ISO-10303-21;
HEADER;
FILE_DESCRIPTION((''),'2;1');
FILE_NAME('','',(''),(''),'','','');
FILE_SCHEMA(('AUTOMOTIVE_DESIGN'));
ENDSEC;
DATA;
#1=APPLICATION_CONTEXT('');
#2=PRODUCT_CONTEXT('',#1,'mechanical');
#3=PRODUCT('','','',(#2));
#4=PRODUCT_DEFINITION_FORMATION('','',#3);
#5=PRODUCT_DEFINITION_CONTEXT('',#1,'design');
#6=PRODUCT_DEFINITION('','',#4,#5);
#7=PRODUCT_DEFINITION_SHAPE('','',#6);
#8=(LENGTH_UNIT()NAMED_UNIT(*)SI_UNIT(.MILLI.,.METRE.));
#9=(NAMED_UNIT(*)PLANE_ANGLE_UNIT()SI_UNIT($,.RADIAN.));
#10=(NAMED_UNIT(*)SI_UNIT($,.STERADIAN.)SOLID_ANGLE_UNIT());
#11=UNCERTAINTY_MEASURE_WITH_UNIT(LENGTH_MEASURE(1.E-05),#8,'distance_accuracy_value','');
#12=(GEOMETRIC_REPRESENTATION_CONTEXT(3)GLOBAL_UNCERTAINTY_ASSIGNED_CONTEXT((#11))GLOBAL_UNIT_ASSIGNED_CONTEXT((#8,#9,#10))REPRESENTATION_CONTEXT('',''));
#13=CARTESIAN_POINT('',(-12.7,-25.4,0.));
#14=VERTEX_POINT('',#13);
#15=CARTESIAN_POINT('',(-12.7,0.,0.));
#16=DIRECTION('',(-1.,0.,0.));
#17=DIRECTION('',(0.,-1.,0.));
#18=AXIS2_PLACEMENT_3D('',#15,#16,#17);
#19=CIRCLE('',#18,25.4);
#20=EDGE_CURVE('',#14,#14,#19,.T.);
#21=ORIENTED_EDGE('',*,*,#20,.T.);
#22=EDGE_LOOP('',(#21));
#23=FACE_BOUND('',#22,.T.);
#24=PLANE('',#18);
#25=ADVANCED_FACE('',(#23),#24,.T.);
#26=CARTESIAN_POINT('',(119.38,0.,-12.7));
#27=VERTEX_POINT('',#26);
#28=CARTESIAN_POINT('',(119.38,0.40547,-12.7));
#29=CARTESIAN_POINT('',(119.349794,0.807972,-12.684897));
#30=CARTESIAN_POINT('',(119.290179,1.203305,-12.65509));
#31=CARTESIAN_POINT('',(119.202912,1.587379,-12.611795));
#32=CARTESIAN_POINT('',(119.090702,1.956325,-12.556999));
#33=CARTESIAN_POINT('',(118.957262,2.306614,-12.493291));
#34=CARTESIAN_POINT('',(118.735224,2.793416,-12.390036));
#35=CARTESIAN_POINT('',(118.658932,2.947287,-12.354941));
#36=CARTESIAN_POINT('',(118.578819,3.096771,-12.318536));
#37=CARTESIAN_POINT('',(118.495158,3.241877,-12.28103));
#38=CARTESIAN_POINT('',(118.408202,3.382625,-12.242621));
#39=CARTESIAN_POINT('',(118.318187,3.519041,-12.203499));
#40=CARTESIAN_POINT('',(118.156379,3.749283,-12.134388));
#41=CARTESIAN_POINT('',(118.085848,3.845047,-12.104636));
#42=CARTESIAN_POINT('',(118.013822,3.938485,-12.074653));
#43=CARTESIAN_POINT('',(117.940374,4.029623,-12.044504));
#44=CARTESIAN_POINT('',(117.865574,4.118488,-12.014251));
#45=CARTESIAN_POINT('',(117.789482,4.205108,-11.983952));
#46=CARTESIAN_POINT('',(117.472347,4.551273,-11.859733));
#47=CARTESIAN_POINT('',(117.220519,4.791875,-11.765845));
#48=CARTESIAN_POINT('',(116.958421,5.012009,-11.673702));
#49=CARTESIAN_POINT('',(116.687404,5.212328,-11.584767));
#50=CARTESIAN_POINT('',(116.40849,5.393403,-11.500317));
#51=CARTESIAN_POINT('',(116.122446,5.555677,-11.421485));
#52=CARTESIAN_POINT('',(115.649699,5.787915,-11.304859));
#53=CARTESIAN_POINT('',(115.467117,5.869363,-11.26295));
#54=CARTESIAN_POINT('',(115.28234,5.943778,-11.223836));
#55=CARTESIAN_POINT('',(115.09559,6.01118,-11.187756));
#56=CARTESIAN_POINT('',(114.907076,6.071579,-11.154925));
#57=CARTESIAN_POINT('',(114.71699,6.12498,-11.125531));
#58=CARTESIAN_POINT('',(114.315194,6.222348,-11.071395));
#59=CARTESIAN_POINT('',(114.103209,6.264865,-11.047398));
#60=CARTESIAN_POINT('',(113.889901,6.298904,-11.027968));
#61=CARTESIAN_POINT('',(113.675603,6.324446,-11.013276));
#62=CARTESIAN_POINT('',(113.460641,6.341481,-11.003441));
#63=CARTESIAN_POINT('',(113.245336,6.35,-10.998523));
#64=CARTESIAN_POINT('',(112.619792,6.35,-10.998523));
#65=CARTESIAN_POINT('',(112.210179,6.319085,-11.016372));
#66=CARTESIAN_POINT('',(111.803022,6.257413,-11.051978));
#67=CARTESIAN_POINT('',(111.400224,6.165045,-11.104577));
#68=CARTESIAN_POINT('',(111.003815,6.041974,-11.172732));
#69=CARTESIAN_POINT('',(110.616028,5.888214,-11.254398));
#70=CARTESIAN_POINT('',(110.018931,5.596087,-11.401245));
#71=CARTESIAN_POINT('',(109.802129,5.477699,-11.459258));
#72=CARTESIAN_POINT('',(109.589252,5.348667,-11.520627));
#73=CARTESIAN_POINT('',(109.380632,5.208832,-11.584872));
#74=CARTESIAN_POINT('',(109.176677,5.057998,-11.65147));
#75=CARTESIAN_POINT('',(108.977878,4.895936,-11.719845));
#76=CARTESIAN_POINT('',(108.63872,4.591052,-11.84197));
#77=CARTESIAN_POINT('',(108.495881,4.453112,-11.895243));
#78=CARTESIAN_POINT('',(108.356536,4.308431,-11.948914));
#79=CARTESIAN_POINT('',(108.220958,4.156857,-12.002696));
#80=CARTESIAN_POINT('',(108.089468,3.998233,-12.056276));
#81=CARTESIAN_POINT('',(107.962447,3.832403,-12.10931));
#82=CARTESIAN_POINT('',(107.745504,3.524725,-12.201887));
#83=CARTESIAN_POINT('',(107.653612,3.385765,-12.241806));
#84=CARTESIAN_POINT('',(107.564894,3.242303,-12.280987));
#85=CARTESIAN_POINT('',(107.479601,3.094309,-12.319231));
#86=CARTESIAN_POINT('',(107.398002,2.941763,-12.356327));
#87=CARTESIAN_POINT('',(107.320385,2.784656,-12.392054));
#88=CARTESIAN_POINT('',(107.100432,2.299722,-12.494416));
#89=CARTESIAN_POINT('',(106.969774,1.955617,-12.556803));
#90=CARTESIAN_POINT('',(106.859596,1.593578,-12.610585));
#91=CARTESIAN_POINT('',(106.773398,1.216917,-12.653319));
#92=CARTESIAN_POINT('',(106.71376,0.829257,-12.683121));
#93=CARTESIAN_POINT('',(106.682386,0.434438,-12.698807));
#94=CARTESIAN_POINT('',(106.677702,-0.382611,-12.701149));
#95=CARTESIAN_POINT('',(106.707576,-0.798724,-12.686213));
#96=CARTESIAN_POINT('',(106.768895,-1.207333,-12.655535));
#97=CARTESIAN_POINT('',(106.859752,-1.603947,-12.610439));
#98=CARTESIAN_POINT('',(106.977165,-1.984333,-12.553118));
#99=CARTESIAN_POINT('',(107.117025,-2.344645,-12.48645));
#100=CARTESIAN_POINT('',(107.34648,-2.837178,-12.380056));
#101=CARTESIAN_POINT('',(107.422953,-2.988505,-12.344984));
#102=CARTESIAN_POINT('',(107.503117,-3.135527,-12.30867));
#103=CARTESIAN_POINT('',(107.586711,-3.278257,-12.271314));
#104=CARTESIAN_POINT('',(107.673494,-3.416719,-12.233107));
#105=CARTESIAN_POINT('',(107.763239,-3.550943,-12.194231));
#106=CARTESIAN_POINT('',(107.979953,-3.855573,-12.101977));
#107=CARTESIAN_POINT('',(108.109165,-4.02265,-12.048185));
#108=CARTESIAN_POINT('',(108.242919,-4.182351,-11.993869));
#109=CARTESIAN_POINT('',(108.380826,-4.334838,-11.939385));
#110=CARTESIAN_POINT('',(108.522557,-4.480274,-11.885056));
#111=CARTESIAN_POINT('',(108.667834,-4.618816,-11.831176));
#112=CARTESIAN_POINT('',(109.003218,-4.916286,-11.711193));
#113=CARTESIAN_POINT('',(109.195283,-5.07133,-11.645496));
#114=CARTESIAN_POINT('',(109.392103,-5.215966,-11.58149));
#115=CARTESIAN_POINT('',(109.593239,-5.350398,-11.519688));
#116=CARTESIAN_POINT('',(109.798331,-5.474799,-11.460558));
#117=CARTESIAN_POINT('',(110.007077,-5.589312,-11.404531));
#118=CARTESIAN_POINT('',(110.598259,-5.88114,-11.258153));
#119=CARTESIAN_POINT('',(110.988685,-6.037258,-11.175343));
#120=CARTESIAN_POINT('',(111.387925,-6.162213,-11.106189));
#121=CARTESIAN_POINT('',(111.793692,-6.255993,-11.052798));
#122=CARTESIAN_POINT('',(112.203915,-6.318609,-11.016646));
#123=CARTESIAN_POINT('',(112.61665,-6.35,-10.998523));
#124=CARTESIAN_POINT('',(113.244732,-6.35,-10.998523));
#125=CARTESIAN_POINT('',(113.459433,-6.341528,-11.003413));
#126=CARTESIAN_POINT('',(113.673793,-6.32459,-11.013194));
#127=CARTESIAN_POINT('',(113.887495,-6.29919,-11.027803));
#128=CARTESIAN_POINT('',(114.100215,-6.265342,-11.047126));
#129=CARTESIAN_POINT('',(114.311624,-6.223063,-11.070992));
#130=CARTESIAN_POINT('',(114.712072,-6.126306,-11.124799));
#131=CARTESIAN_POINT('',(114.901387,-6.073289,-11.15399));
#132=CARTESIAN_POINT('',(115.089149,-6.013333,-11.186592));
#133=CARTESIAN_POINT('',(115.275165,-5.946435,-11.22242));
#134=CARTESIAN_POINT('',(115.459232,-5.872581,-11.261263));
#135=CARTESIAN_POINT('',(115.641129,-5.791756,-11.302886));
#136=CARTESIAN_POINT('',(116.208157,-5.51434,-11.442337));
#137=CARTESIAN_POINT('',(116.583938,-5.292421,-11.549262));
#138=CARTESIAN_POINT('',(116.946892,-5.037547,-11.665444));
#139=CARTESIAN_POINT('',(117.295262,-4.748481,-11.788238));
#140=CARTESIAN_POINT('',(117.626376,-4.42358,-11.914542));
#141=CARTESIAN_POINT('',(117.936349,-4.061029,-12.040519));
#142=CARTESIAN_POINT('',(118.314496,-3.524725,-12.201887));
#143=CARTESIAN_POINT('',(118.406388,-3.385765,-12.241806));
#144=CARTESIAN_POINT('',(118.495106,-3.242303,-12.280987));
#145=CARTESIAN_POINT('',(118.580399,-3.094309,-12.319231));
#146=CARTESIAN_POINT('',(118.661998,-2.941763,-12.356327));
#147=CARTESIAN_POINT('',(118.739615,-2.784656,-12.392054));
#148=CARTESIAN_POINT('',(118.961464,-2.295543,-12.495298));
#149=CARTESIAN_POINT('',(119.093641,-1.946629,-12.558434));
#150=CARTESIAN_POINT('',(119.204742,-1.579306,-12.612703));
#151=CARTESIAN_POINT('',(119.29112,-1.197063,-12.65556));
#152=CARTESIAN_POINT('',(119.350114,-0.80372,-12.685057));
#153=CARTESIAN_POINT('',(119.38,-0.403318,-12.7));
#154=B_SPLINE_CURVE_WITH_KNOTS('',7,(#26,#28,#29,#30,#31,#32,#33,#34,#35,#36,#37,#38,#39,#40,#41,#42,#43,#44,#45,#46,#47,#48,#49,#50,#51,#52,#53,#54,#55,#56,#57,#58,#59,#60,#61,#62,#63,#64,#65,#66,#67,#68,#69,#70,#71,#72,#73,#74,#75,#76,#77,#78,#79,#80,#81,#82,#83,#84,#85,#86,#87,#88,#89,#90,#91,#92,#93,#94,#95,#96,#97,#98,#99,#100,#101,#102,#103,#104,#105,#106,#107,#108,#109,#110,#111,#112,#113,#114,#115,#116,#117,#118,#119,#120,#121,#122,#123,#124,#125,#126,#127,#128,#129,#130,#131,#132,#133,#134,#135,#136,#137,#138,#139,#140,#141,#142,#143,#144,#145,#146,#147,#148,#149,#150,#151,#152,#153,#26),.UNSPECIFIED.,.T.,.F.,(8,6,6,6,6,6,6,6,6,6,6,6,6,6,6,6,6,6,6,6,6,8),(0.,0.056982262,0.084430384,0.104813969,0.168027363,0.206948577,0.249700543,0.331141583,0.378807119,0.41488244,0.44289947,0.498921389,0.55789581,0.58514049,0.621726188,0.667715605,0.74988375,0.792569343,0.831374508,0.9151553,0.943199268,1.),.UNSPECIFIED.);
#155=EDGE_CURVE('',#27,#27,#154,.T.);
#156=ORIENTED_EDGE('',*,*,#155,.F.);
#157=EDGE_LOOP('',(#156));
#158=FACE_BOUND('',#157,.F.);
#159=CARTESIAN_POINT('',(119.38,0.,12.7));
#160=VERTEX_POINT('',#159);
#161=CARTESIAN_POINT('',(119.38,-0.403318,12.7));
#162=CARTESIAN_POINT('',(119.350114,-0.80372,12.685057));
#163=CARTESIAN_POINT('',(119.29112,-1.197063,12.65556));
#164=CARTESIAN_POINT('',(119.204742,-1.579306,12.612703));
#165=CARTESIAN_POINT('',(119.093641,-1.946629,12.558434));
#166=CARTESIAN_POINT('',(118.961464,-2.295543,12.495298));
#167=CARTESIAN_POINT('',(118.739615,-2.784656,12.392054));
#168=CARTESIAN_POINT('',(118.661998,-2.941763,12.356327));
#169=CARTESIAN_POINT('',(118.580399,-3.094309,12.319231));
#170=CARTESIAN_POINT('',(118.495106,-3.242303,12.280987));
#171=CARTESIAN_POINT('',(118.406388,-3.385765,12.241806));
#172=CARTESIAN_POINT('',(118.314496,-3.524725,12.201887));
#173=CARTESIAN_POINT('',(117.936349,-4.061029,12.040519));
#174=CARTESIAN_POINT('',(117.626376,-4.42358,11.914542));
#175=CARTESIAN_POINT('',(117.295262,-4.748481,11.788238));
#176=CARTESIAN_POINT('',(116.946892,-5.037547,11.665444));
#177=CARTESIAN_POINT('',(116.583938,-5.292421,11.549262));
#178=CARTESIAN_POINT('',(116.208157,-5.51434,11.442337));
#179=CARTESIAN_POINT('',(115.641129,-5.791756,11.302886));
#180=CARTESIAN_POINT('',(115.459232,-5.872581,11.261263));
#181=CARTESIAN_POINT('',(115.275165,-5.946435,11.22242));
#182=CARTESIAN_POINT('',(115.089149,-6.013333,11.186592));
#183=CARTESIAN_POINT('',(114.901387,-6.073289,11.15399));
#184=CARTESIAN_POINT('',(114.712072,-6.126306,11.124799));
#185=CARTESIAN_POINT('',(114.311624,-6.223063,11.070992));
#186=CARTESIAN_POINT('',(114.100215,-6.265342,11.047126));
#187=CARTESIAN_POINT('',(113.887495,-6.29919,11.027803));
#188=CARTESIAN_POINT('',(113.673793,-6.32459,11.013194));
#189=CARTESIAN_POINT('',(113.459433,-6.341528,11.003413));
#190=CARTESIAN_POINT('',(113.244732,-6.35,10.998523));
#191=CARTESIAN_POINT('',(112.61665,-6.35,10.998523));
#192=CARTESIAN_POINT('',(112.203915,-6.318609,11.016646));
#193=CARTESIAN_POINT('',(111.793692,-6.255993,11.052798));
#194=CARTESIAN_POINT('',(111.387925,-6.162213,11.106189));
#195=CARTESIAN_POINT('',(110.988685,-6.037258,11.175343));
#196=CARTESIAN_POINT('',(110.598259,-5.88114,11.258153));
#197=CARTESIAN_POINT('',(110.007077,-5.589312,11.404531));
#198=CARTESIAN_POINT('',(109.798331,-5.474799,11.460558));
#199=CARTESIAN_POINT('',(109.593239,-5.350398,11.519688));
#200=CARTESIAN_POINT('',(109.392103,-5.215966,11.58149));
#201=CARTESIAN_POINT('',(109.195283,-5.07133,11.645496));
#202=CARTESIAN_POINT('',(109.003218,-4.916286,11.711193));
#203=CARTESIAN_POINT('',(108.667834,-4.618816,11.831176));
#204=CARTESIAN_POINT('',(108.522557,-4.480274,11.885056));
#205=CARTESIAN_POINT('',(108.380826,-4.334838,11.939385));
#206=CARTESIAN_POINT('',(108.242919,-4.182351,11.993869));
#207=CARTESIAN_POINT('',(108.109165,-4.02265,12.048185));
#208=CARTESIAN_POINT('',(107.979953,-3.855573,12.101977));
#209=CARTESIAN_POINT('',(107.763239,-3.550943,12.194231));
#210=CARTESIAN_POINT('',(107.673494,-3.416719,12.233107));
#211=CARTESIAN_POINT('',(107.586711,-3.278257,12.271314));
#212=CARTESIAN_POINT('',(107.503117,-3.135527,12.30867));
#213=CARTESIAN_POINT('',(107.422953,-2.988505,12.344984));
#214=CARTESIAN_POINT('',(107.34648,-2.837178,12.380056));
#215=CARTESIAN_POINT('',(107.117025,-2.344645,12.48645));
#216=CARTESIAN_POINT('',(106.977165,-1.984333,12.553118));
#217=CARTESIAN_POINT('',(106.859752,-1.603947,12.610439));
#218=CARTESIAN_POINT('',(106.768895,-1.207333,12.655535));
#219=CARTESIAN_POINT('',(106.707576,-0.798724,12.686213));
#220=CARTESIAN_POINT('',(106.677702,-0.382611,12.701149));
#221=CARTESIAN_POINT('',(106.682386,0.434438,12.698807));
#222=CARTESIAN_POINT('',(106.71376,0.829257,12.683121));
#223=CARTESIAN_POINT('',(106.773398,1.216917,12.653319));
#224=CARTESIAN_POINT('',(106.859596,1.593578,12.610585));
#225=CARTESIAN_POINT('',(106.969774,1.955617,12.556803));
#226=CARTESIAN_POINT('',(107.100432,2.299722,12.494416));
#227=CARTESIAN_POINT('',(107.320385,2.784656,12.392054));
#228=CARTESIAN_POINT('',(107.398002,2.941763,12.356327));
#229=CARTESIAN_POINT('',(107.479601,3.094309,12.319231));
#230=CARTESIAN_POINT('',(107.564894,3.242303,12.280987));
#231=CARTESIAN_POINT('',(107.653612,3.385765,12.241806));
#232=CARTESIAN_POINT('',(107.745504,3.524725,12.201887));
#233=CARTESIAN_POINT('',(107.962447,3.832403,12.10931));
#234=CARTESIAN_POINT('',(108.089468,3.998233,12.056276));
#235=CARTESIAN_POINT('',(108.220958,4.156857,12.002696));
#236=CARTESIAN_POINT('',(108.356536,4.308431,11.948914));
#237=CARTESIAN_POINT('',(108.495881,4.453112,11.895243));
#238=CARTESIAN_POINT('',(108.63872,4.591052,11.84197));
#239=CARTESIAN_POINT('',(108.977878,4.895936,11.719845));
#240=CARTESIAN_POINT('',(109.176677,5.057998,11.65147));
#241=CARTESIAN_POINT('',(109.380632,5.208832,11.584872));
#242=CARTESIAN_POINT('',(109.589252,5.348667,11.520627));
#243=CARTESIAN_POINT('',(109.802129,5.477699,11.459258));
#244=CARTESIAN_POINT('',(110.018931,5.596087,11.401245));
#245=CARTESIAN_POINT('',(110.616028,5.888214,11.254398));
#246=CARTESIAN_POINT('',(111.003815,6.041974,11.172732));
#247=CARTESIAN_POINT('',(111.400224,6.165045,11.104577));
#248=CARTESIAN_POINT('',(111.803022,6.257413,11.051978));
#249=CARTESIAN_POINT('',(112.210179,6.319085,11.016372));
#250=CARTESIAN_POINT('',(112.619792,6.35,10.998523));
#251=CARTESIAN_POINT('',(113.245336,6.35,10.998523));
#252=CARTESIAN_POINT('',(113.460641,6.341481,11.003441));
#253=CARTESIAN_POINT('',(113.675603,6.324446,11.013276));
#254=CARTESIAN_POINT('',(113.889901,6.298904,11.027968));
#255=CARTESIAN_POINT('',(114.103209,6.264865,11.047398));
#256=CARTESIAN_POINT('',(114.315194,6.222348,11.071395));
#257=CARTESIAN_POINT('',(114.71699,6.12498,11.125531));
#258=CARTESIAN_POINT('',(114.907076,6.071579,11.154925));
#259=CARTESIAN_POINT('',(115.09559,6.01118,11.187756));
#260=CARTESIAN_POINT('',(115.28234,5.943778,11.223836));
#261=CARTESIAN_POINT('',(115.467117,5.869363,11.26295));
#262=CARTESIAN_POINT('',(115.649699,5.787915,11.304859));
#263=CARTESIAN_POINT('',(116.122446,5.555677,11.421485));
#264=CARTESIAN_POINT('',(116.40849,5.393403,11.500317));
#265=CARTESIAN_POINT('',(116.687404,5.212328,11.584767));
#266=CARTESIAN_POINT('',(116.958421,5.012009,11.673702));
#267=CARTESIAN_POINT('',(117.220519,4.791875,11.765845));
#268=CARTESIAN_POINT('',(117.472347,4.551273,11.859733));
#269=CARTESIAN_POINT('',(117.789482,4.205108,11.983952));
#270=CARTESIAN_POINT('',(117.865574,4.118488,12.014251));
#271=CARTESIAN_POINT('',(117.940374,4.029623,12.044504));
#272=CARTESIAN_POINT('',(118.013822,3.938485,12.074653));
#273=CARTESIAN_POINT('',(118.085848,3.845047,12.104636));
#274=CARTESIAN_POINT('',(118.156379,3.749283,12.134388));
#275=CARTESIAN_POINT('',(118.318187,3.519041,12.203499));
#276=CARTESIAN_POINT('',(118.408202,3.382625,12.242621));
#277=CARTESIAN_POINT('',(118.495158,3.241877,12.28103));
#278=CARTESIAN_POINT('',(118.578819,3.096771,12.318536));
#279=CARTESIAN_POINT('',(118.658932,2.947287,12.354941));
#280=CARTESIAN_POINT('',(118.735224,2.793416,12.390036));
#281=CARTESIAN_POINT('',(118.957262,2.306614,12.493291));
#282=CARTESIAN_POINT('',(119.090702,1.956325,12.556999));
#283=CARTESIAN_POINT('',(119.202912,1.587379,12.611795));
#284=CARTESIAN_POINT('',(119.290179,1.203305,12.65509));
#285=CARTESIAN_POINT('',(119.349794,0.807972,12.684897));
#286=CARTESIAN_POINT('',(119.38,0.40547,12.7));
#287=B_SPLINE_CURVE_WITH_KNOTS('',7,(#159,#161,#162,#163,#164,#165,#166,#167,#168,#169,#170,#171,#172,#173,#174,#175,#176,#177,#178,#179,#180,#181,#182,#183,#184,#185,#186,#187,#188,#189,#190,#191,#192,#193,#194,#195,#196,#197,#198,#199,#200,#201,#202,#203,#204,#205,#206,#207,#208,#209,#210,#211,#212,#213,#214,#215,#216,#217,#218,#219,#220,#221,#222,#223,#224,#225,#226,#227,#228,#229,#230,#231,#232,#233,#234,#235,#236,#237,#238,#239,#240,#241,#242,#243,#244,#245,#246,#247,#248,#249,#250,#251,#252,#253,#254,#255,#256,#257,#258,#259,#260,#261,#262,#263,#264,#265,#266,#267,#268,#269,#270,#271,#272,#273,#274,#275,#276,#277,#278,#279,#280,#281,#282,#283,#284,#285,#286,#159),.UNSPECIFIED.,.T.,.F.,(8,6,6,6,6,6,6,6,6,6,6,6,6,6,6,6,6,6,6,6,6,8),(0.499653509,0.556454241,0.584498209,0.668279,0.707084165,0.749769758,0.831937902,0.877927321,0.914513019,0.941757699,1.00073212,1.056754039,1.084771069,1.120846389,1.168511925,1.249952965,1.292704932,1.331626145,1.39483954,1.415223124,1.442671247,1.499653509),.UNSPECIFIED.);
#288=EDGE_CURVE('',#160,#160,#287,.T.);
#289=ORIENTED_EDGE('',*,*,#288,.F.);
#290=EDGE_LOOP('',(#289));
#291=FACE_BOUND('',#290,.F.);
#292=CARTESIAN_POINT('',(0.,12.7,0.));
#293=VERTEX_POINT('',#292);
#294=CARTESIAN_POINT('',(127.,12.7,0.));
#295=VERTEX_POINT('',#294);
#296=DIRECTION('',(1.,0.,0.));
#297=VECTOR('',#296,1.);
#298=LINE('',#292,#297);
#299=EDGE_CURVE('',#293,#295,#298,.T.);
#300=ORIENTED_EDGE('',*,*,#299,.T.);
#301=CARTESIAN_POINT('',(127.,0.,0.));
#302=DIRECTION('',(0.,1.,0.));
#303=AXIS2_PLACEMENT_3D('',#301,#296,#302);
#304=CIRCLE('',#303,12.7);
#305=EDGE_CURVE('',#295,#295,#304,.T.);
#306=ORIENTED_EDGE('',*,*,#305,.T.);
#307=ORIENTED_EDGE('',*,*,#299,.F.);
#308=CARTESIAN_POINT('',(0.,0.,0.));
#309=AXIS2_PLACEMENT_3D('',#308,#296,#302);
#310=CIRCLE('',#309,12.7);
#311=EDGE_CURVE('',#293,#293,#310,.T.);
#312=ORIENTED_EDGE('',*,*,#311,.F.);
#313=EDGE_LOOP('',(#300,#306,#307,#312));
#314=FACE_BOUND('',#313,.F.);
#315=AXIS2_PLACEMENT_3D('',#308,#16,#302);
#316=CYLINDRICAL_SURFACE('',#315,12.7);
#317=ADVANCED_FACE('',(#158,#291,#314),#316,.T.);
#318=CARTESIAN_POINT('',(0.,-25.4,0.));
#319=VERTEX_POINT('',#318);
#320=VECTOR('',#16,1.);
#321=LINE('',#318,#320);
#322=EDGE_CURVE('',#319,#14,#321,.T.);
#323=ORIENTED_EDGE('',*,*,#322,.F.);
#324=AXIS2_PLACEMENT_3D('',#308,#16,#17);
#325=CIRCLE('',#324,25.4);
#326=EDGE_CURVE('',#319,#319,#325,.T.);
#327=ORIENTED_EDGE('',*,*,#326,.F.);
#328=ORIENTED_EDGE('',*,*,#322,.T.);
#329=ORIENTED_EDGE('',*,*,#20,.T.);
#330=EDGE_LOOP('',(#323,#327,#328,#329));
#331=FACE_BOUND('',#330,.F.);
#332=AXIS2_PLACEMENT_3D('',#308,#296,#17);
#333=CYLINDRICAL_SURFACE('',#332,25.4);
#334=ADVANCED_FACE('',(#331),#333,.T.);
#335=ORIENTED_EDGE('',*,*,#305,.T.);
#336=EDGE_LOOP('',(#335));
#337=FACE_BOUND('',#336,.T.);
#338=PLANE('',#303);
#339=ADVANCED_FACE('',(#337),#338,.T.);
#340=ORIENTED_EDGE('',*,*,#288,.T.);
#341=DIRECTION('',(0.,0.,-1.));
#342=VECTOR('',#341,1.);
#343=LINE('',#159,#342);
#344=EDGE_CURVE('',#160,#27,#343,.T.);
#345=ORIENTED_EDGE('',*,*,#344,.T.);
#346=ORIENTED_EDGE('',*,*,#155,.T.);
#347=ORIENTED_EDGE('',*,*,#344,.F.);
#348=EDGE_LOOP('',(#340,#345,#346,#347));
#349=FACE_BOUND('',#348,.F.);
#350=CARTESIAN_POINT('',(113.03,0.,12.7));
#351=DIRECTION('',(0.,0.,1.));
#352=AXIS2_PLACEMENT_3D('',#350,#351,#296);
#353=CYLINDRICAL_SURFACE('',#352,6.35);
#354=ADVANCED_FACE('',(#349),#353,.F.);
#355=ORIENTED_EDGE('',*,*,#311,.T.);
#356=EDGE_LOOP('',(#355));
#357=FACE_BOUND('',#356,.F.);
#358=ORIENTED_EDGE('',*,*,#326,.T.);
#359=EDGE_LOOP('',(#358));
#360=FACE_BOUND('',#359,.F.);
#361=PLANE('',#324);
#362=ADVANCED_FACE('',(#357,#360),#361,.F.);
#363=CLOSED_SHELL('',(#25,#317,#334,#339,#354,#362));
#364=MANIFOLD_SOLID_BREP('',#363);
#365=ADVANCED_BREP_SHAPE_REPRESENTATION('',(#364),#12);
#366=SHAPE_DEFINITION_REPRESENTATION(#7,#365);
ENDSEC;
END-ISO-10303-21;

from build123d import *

# Parameters (mm, degrees)
F0_R     = 12.7
F1_DEPTH = 127
F2_R     = 25.4
F3_DEPTH = 12.7
F5_R     = 6.35
F6_DEPTH = 38.101


with BuildPart() as f1:
    # F0 (on Right) → F1 (new body)
    with BuildSketch(Plane.YZ):
        Circle(F0_R)
    extrude(amount=F1_DEPTH)

    # F2 (on face) → F3 (join)
    with BuildSketch(Plane(origin=(0, 0, 0), x_dir=(0, -1, 0), z_dir=(-1, 0, 0))):
        Circle(F2_R)
    extrude(amount=F3_DEPTH)

    # F5 (on offset) → F6 (cut, through all)
    with BuildSketch(Plane.XY.offset(12.7)):
        with Locations((113.03, 0)):
            Circle(F5_R)
    extrude(amount=-F6_DEPTH, mode=Mode.SUBTRACT)


solid = f1.part
